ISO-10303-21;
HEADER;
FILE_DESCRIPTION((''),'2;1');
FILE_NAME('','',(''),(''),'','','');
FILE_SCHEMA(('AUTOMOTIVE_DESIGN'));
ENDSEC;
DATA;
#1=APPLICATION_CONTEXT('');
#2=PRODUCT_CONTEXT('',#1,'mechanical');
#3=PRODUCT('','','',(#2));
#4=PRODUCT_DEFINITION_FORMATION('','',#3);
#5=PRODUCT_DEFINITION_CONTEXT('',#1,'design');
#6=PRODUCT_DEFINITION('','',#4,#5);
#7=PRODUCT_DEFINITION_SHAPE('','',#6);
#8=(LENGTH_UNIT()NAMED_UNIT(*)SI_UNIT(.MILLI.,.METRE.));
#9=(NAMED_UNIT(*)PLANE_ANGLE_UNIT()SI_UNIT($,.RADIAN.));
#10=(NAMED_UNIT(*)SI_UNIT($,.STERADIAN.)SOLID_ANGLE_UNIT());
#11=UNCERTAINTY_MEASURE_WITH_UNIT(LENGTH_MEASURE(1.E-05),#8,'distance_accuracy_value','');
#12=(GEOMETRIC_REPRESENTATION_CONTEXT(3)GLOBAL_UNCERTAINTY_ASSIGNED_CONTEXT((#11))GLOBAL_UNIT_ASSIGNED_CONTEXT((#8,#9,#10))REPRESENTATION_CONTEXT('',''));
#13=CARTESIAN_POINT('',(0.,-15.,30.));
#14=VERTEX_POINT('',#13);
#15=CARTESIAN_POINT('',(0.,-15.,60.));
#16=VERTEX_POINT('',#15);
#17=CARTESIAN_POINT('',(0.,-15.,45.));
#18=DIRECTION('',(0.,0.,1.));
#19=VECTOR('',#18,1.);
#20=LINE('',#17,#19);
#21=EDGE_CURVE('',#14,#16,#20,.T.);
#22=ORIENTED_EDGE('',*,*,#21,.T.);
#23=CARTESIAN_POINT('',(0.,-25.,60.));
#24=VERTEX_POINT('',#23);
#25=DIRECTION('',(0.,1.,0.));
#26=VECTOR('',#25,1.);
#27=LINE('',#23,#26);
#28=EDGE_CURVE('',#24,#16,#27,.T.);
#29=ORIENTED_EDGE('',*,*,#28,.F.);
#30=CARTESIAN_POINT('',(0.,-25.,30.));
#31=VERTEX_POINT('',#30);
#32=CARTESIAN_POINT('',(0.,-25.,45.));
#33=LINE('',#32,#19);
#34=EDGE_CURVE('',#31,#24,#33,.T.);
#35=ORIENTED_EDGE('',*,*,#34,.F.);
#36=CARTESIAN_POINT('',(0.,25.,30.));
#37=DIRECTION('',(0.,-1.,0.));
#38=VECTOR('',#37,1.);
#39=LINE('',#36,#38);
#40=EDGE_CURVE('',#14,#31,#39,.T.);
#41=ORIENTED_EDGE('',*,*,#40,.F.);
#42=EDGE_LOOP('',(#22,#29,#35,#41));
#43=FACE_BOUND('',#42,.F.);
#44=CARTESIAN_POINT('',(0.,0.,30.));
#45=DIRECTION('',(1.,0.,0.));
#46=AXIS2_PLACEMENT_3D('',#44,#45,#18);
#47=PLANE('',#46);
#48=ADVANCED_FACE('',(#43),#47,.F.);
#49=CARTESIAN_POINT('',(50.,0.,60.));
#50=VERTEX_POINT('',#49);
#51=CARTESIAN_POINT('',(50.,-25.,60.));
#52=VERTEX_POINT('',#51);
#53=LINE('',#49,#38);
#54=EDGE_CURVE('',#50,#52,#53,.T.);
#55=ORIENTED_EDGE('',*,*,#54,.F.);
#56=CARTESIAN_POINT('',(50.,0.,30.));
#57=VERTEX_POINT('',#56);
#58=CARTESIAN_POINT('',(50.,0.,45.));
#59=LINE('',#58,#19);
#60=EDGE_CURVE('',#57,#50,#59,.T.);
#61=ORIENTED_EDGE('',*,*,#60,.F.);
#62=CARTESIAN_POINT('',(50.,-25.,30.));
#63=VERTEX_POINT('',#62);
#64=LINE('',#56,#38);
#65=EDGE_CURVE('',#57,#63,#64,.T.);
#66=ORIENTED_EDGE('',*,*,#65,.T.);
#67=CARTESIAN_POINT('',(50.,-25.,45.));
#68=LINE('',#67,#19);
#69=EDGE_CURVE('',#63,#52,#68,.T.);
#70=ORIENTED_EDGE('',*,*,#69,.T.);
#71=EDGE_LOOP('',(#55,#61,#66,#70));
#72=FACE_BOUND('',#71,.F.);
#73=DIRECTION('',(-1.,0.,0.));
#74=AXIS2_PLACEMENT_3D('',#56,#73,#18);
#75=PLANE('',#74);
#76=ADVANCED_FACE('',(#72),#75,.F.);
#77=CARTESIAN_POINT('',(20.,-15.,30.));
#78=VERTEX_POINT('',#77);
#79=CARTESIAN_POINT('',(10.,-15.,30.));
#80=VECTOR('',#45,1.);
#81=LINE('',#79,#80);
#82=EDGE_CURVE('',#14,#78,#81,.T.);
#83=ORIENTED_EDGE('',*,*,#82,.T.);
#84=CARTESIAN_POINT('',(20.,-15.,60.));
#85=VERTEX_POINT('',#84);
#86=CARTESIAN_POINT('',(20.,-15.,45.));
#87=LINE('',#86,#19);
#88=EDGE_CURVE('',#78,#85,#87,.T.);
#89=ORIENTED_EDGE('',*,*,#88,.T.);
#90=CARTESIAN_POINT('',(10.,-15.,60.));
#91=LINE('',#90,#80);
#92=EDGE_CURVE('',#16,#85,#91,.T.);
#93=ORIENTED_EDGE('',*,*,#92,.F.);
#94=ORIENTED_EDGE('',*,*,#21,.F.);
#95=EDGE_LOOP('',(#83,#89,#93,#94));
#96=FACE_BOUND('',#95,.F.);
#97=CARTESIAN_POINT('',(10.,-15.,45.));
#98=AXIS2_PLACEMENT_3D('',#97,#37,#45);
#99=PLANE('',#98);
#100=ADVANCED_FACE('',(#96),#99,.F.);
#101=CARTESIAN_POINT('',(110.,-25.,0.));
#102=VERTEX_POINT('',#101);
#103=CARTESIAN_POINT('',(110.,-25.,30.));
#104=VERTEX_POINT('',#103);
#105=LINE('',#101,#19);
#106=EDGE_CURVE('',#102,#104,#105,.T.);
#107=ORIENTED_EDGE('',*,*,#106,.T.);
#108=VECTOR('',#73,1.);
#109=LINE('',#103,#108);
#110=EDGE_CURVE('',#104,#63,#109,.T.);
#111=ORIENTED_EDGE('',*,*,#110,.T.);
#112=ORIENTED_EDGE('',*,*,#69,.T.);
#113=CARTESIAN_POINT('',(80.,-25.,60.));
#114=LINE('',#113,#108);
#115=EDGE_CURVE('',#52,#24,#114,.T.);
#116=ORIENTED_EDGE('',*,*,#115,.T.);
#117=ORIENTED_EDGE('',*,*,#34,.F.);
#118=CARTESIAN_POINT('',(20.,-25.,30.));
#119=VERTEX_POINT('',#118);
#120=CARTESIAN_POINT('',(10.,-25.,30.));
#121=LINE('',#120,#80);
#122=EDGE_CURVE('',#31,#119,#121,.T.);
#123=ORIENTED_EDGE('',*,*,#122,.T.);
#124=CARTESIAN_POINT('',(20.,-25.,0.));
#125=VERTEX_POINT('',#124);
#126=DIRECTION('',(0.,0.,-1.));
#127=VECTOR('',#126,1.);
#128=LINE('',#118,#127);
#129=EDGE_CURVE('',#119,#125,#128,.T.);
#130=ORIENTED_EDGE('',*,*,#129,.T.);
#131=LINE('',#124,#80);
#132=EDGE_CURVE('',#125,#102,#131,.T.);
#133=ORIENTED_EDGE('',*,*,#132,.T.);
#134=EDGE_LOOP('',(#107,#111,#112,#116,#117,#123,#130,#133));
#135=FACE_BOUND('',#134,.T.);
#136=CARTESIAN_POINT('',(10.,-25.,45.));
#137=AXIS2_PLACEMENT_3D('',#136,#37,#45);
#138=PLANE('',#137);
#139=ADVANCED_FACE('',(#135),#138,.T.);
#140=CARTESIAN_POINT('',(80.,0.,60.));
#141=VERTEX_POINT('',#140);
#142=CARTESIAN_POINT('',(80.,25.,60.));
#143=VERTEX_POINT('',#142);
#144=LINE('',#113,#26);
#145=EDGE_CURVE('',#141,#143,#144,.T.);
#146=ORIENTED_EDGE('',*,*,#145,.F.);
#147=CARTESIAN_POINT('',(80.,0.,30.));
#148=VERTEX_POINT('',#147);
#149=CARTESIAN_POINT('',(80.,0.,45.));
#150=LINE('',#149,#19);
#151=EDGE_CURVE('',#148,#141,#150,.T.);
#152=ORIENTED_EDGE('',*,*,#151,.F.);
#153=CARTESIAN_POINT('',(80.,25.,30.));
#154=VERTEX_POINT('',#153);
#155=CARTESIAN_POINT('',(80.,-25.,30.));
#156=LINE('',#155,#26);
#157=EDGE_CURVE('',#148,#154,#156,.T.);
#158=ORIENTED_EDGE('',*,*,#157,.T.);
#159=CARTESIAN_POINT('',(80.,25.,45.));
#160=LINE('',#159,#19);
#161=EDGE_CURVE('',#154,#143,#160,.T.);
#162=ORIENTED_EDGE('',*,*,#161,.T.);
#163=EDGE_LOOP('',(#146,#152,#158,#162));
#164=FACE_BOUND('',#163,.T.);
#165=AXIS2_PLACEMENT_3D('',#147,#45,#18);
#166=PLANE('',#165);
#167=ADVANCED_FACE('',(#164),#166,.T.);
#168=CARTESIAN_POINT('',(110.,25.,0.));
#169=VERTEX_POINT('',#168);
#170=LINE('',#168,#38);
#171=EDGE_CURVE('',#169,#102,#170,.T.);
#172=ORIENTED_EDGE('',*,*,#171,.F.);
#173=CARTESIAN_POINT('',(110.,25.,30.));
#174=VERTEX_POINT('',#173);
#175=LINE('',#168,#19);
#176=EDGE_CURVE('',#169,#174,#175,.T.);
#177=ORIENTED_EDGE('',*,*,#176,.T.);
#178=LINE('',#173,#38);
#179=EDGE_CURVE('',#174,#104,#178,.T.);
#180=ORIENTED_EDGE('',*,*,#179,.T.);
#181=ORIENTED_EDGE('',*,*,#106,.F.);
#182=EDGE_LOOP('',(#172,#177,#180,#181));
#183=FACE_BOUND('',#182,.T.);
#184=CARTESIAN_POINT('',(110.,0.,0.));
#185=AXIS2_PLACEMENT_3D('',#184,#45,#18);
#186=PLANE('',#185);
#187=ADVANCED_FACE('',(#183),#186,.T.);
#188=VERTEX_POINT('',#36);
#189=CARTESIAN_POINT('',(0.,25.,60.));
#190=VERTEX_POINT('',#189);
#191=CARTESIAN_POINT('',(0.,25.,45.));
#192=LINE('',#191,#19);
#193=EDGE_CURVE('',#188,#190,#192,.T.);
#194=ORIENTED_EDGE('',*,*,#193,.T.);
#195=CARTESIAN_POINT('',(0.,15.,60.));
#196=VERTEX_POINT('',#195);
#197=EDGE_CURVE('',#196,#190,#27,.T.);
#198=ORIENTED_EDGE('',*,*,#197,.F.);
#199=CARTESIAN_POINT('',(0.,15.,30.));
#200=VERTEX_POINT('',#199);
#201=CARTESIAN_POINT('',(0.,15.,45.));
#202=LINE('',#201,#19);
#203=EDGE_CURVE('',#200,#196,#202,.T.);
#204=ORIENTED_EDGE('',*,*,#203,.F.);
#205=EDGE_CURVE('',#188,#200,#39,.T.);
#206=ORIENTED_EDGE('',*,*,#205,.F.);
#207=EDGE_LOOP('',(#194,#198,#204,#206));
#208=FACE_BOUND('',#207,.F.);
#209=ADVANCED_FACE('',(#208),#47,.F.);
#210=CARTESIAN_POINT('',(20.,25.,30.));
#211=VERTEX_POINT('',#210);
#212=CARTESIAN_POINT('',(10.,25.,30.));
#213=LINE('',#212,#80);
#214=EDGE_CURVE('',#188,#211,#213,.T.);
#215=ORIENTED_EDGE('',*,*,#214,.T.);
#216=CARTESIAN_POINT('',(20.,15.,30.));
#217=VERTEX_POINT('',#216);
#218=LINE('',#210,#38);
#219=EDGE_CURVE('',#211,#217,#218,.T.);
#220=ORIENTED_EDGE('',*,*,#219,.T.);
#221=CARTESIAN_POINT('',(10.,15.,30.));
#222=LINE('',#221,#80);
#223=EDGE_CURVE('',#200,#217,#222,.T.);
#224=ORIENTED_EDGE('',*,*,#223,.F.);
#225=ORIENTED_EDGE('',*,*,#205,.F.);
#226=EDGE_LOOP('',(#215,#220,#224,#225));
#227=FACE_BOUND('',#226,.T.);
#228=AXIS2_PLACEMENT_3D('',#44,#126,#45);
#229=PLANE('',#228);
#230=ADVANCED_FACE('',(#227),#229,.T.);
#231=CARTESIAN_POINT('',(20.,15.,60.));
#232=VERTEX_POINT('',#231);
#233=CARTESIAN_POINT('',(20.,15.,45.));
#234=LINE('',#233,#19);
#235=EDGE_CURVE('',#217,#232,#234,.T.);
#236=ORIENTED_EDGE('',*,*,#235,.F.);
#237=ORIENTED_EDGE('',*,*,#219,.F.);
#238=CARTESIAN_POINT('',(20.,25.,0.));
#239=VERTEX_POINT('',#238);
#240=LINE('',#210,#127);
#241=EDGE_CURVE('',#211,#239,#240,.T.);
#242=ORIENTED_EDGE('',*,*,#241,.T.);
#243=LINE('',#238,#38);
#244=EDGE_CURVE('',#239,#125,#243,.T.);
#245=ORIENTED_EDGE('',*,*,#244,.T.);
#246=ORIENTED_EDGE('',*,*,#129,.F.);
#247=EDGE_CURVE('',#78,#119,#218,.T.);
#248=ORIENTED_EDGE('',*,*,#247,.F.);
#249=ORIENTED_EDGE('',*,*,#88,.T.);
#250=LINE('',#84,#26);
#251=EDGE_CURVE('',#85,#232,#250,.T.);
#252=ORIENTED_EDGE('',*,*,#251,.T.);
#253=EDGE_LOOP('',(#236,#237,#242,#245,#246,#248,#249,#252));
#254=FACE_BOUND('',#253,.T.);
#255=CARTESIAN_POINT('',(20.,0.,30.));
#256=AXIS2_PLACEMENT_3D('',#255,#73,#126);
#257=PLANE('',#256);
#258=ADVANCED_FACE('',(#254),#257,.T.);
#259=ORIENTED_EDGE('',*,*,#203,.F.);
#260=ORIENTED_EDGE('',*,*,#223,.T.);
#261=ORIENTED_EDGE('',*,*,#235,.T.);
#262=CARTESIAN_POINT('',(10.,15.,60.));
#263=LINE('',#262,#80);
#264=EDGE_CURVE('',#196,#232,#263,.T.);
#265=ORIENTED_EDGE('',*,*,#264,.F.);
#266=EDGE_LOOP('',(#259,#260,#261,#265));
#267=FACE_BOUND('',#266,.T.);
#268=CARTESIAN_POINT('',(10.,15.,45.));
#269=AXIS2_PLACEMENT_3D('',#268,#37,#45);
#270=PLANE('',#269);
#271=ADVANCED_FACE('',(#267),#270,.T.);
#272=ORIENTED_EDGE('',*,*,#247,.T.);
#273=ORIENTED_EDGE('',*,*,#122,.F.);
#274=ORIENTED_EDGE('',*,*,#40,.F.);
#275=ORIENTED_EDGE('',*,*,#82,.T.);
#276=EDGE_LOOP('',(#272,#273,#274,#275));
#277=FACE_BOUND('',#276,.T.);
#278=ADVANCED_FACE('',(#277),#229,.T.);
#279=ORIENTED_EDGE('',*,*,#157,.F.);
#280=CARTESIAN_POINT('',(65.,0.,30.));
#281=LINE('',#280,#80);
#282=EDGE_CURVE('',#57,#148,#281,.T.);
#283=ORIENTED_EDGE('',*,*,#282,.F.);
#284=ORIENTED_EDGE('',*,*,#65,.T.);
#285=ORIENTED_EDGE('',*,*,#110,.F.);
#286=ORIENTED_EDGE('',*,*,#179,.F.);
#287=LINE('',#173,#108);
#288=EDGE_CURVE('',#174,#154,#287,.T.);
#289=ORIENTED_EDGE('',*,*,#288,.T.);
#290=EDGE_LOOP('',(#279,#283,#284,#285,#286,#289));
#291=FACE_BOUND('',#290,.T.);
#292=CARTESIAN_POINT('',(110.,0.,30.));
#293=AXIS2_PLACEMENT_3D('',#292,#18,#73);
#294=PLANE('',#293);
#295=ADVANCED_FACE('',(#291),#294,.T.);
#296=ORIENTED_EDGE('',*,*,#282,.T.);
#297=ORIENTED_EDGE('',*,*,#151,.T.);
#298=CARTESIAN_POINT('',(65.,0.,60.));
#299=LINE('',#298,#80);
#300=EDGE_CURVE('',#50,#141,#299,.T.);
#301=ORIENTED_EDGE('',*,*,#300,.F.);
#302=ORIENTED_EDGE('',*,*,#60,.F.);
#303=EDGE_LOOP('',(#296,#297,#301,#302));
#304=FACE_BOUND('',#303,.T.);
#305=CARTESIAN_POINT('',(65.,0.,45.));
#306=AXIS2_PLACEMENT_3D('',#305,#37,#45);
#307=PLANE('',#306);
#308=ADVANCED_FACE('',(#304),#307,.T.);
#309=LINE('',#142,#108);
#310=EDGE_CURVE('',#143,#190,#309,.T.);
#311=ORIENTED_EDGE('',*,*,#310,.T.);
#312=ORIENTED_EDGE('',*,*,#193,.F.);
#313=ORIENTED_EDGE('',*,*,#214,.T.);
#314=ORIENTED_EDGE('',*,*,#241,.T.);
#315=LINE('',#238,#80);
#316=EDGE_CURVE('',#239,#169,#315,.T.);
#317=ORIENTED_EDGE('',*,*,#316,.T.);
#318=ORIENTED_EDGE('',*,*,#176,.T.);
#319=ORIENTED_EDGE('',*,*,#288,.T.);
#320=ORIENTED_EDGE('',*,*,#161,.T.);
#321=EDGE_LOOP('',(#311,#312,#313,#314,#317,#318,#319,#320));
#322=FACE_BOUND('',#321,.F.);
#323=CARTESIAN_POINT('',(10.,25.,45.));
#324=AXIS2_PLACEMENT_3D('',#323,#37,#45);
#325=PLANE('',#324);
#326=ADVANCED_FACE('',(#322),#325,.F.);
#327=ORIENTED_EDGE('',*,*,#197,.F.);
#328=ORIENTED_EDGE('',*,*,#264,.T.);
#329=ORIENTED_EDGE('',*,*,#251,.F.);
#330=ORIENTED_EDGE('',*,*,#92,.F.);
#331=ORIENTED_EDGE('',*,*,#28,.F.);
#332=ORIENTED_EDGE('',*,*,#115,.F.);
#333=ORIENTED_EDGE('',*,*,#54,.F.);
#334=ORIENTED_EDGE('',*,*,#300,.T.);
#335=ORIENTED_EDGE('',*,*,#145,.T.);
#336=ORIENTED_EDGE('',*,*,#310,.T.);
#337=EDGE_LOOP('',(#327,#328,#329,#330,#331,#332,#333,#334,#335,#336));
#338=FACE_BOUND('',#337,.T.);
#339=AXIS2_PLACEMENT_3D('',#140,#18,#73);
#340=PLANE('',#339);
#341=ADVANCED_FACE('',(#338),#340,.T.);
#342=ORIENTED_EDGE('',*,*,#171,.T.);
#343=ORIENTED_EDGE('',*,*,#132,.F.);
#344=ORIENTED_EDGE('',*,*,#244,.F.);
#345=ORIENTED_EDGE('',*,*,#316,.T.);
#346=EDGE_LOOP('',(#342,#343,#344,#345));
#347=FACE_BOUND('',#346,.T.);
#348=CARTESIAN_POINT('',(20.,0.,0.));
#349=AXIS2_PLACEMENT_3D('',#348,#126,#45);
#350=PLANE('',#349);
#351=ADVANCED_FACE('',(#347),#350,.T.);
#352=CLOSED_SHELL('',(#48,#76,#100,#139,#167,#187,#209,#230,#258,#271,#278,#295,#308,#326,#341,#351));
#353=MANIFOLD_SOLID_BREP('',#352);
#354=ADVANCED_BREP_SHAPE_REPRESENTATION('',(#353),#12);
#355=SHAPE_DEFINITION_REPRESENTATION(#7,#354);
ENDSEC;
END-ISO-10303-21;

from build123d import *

# Parameters (mm, degrees)
F0_W     = 20
F0_H     = 30
F0_W_2   = 30
F1_DEPTH = 25
F2_DEPTH = 15
F3_DEPTH = 25


with BuildPart() as f1:
    # F0 (on Front) → F1 (new body, symmetric)
    with BuildSketch(Plane.XZ):
        with Locations((10, 45)):
            Rectangle(F0_W, F0_H)
        Polygon((50, 60), (20, 60), (20, 30), (20, 0), (110, 0), (110, 30), (80, 30), (50, 30), align=None)
        with Locations((65, 45)):
            Rectangle(F0_W_2, F0_H)
    extrude(amount=F1_DEPTH, both=True)

    # F0 (on Front) → F2 (cut, symmetric)
    with BuildSketch(Plane.XZ):
        with Locations((10, 45)):
            Rectangle(F0_W, F0_H)
    extrude(amount=F2_DEPTH, both=True, mode=Mode.SUBTRACT)

    # F0 (on Front) → F3 (cut, through all)
    with BuildSketch(Plane.XZ):
        with Locations((65, 45)):
            Rectangle(F0_W_2, F0_H)
    extrude(amount=F3_DEPTH, mode=Mode.SUBTRACT)


solid = f1.part
